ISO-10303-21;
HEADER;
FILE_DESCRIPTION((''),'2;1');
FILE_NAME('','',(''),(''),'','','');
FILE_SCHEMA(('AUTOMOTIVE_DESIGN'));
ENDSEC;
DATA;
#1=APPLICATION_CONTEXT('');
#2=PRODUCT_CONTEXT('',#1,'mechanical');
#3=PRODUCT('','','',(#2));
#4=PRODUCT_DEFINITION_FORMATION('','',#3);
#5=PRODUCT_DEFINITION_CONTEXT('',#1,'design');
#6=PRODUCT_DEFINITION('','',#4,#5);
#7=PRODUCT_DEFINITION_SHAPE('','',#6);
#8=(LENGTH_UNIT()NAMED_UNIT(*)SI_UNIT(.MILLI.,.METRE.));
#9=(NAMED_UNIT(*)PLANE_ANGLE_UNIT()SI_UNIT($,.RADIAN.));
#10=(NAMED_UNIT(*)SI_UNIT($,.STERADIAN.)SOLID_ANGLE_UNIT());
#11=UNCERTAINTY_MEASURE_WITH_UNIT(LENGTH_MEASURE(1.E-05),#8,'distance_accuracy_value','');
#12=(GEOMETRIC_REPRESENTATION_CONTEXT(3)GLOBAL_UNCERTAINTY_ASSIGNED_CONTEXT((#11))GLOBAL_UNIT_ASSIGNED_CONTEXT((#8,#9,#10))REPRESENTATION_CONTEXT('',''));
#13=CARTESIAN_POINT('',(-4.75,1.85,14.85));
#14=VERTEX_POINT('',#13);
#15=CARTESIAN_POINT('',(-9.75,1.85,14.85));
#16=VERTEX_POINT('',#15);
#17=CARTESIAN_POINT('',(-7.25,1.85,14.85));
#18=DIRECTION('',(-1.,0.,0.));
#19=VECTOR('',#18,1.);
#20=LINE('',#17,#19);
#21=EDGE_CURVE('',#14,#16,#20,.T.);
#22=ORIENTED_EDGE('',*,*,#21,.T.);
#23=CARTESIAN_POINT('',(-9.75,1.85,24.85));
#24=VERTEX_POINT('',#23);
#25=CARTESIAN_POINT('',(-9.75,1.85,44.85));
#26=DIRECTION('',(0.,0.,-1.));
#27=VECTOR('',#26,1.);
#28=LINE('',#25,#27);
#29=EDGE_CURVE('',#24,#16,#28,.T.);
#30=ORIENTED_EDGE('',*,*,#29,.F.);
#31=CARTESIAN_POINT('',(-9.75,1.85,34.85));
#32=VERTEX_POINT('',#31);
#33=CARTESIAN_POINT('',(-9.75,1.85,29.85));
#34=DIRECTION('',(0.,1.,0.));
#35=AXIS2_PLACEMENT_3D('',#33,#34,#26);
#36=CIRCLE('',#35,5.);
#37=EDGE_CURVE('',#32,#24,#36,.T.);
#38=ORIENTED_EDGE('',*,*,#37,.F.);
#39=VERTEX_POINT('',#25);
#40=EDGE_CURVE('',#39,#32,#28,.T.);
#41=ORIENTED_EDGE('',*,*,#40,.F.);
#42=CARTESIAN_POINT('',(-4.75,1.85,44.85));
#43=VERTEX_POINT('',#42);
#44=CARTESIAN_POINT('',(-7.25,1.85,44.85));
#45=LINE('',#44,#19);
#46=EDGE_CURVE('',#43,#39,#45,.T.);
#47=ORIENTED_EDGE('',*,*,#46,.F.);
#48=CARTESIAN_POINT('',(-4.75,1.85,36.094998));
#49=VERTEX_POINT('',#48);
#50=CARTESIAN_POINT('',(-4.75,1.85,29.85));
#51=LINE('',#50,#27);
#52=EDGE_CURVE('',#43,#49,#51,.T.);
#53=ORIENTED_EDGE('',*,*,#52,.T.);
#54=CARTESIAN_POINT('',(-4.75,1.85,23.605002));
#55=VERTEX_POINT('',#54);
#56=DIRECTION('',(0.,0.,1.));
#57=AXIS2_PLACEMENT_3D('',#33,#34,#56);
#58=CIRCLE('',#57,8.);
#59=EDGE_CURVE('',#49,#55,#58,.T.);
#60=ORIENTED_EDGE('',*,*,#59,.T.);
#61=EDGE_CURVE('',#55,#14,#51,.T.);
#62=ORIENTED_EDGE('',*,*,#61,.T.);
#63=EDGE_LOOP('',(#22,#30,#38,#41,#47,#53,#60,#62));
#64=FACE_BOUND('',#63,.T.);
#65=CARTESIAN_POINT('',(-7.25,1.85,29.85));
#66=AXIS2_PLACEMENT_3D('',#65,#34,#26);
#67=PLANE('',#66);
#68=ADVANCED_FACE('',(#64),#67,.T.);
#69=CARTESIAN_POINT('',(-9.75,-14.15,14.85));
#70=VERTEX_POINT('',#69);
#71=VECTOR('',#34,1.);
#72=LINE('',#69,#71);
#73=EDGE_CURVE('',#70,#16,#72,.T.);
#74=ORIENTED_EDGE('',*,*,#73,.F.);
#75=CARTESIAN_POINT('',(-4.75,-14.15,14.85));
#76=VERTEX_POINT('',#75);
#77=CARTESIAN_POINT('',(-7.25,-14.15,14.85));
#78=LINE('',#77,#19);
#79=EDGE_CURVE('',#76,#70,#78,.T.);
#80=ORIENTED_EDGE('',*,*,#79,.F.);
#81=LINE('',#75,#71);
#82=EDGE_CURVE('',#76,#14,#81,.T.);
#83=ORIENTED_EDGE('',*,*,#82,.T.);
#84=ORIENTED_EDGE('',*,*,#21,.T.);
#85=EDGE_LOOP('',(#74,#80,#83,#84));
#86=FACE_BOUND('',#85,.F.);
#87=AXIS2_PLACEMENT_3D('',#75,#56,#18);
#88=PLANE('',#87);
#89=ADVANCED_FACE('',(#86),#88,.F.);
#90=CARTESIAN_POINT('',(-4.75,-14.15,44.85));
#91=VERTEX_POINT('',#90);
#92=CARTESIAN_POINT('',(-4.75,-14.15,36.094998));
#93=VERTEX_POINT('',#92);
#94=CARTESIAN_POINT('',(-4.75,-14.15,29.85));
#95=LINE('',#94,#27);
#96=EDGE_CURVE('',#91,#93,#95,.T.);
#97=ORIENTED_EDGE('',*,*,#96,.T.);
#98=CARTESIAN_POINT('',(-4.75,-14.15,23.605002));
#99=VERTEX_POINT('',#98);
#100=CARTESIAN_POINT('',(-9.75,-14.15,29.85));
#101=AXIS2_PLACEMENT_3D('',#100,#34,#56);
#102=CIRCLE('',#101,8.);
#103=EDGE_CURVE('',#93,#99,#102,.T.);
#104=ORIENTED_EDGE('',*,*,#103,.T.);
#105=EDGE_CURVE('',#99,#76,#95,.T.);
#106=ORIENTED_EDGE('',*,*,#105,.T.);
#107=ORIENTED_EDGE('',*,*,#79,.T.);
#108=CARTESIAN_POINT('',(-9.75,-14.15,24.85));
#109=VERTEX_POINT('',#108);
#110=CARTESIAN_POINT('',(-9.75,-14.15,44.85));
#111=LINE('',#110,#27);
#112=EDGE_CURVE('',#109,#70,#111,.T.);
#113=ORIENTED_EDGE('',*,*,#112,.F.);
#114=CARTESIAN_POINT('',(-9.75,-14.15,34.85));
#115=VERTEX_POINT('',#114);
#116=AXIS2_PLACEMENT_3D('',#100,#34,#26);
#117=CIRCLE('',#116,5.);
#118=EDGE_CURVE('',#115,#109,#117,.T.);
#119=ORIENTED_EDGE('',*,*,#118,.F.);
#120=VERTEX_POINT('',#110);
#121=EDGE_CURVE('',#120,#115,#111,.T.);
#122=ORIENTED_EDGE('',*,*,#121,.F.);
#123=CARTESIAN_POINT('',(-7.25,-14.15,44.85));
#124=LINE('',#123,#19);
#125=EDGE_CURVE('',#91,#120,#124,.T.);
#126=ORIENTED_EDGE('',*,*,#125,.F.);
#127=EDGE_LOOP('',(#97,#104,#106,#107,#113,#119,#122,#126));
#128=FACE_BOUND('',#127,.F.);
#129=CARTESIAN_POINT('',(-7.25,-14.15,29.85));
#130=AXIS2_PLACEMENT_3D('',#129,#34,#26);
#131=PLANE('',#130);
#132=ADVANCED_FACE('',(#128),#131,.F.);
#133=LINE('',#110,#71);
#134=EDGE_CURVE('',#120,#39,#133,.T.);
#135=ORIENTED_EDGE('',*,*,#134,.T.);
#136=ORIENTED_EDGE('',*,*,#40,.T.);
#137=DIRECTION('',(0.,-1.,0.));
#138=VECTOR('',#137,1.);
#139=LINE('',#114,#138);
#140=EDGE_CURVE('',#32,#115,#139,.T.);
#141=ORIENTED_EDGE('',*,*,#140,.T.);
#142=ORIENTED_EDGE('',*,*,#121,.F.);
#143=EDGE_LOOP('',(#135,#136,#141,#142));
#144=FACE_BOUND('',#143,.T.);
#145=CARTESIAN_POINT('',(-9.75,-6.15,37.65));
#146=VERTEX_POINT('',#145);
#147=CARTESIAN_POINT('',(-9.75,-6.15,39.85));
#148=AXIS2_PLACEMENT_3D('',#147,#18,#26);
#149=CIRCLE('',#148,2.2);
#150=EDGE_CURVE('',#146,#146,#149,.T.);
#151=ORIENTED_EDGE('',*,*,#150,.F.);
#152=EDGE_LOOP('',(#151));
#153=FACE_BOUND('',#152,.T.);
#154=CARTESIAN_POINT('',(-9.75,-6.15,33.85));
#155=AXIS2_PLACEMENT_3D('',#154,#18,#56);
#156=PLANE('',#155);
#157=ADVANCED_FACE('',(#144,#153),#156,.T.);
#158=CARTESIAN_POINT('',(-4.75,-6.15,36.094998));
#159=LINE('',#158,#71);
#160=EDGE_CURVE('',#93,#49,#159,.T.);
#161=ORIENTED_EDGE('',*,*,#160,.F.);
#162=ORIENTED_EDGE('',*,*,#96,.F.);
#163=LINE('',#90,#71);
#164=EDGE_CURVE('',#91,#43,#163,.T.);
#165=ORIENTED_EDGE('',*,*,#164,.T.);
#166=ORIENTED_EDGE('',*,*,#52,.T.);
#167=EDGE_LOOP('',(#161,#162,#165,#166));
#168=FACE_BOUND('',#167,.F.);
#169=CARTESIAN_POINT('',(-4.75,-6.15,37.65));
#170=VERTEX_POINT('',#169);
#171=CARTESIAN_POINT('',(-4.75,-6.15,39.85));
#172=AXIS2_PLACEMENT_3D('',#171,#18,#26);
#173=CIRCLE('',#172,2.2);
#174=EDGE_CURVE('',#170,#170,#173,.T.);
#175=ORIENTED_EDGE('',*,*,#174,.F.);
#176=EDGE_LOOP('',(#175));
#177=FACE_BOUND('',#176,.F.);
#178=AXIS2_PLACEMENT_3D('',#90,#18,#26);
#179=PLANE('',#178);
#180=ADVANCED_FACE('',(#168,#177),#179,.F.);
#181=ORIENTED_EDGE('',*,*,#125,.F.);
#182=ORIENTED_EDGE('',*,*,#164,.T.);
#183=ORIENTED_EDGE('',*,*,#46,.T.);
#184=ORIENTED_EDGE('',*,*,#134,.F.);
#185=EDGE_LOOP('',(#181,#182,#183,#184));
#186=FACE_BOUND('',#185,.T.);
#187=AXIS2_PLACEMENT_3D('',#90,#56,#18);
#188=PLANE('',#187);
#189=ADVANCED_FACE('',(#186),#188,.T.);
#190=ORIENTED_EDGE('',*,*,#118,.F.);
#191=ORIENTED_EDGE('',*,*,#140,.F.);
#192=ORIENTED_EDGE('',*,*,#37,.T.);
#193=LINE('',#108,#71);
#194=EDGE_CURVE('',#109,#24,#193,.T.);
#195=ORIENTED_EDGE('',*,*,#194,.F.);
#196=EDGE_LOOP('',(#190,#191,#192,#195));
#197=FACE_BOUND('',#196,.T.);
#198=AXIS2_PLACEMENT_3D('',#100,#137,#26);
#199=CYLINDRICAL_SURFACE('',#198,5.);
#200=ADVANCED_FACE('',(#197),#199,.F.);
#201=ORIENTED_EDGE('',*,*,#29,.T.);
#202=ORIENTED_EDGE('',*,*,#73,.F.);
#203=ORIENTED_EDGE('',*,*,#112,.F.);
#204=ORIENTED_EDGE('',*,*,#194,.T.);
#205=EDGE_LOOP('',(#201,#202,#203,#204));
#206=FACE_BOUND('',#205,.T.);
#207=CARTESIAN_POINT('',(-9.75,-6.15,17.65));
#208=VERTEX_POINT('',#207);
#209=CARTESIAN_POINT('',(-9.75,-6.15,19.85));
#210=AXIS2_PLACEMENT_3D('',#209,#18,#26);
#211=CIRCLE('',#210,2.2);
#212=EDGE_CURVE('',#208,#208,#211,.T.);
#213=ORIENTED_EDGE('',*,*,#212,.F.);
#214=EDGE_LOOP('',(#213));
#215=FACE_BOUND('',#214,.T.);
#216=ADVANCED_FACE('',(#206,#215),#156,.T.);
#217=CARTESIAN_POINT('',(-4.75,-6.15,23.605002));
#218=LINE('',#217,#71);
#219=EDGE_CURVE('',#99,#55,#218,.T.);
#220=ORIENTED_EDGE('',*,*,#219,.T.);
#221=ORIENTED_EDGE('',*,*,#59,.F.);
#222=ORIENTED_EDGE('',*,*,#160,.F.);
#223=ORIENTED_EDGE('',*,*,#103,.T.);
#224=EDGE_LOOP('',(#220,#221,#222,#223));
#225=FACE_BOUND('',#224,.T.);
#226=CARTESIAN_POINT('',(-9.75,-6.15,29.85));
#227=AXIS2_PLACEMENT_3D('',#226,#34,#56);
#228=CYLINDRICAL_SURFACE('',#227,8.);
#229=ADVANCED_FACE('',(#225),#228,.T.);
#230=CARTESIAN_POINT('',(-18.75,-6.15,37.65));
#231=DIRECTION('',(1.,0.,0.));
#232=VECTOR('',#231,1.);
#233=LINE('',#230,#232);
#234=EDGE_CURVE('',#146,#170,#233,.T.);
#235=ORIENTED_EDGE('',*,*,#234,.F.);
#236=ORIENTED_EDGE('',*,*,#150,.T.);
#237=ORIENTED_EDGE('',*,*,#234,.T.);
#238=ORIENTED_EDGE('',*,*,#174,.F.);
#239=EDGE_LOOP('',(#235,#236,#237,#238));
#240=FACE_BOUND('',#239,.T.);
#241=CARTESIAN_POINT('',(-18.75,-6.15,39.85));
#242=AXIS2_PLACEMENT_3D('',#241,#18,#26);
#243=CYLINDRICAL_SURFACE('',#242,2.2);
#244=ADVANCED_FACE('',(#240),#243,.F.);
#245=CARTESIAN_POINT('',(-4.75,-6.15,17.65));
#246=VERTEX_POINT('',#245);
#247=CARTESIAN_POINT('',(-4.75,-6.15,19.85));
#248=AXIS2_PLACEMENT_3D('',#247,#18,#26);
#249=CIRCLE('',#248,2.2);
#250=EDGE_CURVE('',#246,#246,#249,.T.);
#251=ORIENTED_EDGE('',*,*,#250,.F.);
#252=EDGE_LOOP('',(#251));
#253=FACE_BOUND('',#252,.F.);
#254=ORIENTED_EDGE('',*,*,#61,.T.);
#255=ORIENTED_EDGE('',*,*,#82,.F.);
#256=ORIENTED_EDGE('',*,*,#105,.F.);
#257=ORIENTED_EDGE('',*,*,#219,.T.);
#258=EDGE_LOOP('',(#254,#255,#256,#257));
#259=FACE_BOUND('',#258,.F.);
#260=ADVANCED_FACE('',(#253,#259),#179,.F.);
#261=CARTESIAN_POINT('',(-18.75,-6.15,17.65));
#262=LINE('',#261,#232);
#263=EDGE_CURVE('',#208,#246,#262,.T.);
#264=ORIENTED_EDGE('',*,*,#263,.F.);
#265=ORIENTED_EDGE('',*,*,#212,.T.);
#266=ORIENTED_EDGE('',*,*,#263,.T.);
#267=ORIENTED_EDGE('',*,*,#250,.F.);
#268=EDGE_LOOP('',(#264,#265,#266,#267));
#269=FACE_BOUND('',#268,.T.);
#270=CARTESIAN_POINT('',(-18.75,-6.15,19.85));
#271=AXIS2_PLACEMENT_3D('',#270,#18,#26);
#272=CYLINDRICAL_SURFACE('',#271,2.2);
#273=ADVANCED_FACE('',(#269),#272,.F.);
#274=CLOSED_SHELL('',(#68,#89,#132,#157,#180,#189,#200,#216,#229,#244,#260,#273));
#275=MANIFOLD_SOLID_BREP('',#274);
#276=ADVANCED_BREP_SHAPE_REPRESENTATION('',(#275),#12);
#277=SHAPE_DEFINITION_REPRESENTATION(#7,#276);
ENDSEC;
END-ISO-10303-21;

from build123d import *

# Parameters (mm, degrees)
CYLINDER070_R          = 2.2
CYLINDER070_DEPTH      = 20
CYLINDER069_R          = 2.2
CYLINDER069_DEPTH      = 20
CYLINDER068_R          = 5
CYLINDER068_DEPTH      = 16
CYLINDER065_W          = 8
CYLINDER065_H          = 16
CYLINDER065_ANGLE      = 180
BOX052_W               = 30
BOX052_H               = 5
BOX052_DEPTH           = 16
CUT076_PITCH_ANGLE     = 90
CUT076_PLACEMENT_ANGLE = 90


with BuildPart() as zylinder059:
    # Cylinder070 → Cylinder070 (new body)
    with BuildSketch(Plane(origin=(10, 9, 8), x_dir=(1, 0, 0), z_dir=(0, -1, 0))):
        Circle(CYLINDER070_R)
    extrude(amount=CYLINDER070_DEPTH)


with BuildPart() as zylinder058:
    # Cylinder069 → Cylinder069 (new body)
    with BuildSketch(Plane(origin=(-10, 9, 8), x_dir=(1, 0, 0), z_dir=(0, -1, 0))):
        Circle(CYLINDER069_R)
    extrude(amount=CYLINDER069_DEPTH)


with BuildPart() as zylinder057:
    # Cylinder068 → Cylinder068 (new body)
    with BuildSketch(Plane.XY):
        Circle(CYLINDER068_R)
    extrude(amount=CYLINDER068_DEPTH)


with BuildPart() as zylinder054:
    # Cylinder065 → Cylinder065 (revolve)
    with BuildSketch(Plane(origin=(0, 0, 0), x_dir=(-1, 0, 0), z_dir=(0, 1, 0))):
        with Locations((4, 8)):
            Rectangle(CYLINDER065_W, CYLINDER065_H)
    revolve(axis=Axis((0, 0, 0), (0, 0, 1)), revolution_arc=CYLINDER065_ANGLE)


with BuildPart() as y_mount_top:
    # Box052 → Box052 (new body)
    with BuildSketch(Plane(origin=(-15, -5, 0), x_dir=(1, 0, 0), z_dir=(0, 0, 1))):
        with Locations((15, 2.5)):
            Rectangle(BOX052_W, BOX052_H)
    extrude(amount=BOX052_DEPTH)

    # Fusion035: union Zylinder054
    add(zylinder054.part)

    # Cut072: cut Zylinder057
    add(zylinder057.part, mode=Mode.SUBTRACT)

    # Cut075: cut Zylinder058
    add(zylinder058.part, mode=Mode.SUBTRACT)

    # Cut076: cut Zylinder059
    add(zylinder059.part, mode=Mode.SUBTRACT)


with BuildPart() as y_mount_top_1:
    # Cut076 pitch: moved
    add(y_mount_top.part.rotate(Axis((0, 0, 0), (0, 1, 0)), CUT076_PITCH_ANGLE))


with BuildPart() as y_mount_top_2:
    # Cut076 placement: moved
    add(y_mount_top_1.part.moved(Location((-9.75, -14.15, 29.85))).rotate(Axis((-9.75, -14.15, 29.85), (0, 0, 1)), CUT076_PLACEMENT_ANGLE))


solid = y_mount_top_2.part
